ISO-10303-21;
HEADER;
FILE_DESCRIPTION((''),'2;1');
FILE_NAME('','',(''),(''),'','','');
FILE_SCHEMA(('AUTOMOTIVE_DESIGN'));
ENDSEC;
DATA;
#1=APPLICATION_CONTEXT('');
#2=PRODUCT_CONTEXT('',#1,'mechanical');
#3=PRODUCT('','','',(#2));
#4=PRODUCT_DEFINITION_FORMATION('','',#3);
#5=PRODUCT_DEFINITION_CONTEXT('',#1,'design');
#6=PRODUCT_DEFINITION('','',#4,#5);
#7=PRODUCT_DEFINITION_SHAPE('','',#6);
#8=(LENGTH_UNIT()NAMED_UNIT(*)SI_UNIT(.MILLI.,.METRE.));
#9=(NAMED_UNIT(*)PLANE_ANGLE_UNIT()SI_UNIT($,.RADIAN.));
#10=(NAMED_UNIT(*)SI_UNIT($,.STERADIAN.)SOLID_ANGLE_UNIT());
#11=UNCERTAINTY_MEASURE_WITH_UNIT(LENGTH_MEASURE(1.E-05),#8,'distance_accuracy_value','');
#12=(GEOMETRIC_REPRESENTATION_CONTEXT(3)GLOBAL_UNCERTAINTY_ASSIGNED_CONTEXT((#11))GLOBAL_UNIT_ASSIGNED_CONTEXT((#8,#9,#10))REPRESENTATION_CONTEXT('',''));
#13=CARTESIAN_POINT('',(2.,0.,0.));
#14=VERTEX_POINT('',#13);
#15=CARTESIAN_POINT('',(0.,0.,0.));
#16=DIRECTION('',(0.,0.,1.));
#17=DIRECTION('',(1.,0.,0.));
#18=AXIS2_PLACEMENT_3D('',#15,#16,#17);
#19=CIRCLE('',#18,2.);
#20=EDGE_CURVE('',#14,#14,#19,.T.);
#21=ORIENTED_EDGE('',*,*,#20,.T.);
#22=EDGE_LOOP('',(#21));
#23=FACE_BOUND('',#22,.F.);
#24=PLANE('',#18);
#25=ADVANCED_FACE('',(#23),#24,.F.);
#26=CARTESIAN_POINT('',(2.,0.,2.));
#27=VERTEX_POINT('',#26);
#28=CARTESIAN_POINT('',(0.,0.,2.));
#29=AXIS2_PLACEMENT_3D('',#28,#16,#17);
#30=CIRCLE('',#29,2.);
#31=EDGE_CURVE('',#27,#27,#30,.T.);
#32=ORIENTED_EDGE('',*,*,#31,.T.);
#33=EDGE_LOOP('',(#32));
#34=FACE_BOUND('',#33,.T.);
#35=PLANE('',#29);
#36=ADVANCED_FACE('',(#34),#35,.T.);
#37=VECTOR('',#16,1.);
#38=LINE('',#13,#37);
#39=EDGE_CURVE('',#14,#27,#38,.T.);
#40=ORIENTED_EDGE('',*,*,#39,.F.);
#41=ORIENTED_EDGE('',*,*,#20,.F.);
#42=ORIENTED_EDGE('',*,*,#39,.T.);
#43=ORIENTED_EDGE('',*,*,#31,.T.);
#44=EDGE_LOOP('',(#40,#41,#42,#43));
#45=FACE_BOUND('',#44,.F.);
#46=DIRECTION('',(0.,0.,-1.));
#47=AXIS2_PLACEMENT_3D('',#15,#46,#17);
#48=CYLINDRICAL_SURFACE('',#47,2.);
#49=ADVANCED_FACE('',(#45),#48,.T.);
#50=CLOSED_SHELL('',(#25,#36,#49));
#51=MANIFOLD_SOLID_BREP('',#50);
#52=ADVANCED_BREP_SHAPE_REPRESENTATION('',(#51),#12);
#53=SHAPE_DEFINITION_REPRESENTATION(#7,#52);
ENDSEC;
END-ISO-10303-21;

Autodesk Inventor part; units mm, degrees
ref_plane "YZ Plane" through (0, 0, 0) normal (1, 0, 0) x (0, 1, 0)
ref_plane "XZ Plane" through (0, 0, 0) normal (0, 1, 0) x (-1, 0, 0)
ref_plane "XY Plane" through (0, 0, 0) normal (0, 0, 1) x (1, 0, 0)
sketch "スケッチ1" plane through (0, 0, 0) normal (0, 0, 1) x (1, 0, 0)
  circle A0 centre (0, 0) radius 2
  dimension "d0" = 4
extrude "押し出し1" add sketch "スケッチ1" along normal blind 2
properties part number "エンドミルモデル"
